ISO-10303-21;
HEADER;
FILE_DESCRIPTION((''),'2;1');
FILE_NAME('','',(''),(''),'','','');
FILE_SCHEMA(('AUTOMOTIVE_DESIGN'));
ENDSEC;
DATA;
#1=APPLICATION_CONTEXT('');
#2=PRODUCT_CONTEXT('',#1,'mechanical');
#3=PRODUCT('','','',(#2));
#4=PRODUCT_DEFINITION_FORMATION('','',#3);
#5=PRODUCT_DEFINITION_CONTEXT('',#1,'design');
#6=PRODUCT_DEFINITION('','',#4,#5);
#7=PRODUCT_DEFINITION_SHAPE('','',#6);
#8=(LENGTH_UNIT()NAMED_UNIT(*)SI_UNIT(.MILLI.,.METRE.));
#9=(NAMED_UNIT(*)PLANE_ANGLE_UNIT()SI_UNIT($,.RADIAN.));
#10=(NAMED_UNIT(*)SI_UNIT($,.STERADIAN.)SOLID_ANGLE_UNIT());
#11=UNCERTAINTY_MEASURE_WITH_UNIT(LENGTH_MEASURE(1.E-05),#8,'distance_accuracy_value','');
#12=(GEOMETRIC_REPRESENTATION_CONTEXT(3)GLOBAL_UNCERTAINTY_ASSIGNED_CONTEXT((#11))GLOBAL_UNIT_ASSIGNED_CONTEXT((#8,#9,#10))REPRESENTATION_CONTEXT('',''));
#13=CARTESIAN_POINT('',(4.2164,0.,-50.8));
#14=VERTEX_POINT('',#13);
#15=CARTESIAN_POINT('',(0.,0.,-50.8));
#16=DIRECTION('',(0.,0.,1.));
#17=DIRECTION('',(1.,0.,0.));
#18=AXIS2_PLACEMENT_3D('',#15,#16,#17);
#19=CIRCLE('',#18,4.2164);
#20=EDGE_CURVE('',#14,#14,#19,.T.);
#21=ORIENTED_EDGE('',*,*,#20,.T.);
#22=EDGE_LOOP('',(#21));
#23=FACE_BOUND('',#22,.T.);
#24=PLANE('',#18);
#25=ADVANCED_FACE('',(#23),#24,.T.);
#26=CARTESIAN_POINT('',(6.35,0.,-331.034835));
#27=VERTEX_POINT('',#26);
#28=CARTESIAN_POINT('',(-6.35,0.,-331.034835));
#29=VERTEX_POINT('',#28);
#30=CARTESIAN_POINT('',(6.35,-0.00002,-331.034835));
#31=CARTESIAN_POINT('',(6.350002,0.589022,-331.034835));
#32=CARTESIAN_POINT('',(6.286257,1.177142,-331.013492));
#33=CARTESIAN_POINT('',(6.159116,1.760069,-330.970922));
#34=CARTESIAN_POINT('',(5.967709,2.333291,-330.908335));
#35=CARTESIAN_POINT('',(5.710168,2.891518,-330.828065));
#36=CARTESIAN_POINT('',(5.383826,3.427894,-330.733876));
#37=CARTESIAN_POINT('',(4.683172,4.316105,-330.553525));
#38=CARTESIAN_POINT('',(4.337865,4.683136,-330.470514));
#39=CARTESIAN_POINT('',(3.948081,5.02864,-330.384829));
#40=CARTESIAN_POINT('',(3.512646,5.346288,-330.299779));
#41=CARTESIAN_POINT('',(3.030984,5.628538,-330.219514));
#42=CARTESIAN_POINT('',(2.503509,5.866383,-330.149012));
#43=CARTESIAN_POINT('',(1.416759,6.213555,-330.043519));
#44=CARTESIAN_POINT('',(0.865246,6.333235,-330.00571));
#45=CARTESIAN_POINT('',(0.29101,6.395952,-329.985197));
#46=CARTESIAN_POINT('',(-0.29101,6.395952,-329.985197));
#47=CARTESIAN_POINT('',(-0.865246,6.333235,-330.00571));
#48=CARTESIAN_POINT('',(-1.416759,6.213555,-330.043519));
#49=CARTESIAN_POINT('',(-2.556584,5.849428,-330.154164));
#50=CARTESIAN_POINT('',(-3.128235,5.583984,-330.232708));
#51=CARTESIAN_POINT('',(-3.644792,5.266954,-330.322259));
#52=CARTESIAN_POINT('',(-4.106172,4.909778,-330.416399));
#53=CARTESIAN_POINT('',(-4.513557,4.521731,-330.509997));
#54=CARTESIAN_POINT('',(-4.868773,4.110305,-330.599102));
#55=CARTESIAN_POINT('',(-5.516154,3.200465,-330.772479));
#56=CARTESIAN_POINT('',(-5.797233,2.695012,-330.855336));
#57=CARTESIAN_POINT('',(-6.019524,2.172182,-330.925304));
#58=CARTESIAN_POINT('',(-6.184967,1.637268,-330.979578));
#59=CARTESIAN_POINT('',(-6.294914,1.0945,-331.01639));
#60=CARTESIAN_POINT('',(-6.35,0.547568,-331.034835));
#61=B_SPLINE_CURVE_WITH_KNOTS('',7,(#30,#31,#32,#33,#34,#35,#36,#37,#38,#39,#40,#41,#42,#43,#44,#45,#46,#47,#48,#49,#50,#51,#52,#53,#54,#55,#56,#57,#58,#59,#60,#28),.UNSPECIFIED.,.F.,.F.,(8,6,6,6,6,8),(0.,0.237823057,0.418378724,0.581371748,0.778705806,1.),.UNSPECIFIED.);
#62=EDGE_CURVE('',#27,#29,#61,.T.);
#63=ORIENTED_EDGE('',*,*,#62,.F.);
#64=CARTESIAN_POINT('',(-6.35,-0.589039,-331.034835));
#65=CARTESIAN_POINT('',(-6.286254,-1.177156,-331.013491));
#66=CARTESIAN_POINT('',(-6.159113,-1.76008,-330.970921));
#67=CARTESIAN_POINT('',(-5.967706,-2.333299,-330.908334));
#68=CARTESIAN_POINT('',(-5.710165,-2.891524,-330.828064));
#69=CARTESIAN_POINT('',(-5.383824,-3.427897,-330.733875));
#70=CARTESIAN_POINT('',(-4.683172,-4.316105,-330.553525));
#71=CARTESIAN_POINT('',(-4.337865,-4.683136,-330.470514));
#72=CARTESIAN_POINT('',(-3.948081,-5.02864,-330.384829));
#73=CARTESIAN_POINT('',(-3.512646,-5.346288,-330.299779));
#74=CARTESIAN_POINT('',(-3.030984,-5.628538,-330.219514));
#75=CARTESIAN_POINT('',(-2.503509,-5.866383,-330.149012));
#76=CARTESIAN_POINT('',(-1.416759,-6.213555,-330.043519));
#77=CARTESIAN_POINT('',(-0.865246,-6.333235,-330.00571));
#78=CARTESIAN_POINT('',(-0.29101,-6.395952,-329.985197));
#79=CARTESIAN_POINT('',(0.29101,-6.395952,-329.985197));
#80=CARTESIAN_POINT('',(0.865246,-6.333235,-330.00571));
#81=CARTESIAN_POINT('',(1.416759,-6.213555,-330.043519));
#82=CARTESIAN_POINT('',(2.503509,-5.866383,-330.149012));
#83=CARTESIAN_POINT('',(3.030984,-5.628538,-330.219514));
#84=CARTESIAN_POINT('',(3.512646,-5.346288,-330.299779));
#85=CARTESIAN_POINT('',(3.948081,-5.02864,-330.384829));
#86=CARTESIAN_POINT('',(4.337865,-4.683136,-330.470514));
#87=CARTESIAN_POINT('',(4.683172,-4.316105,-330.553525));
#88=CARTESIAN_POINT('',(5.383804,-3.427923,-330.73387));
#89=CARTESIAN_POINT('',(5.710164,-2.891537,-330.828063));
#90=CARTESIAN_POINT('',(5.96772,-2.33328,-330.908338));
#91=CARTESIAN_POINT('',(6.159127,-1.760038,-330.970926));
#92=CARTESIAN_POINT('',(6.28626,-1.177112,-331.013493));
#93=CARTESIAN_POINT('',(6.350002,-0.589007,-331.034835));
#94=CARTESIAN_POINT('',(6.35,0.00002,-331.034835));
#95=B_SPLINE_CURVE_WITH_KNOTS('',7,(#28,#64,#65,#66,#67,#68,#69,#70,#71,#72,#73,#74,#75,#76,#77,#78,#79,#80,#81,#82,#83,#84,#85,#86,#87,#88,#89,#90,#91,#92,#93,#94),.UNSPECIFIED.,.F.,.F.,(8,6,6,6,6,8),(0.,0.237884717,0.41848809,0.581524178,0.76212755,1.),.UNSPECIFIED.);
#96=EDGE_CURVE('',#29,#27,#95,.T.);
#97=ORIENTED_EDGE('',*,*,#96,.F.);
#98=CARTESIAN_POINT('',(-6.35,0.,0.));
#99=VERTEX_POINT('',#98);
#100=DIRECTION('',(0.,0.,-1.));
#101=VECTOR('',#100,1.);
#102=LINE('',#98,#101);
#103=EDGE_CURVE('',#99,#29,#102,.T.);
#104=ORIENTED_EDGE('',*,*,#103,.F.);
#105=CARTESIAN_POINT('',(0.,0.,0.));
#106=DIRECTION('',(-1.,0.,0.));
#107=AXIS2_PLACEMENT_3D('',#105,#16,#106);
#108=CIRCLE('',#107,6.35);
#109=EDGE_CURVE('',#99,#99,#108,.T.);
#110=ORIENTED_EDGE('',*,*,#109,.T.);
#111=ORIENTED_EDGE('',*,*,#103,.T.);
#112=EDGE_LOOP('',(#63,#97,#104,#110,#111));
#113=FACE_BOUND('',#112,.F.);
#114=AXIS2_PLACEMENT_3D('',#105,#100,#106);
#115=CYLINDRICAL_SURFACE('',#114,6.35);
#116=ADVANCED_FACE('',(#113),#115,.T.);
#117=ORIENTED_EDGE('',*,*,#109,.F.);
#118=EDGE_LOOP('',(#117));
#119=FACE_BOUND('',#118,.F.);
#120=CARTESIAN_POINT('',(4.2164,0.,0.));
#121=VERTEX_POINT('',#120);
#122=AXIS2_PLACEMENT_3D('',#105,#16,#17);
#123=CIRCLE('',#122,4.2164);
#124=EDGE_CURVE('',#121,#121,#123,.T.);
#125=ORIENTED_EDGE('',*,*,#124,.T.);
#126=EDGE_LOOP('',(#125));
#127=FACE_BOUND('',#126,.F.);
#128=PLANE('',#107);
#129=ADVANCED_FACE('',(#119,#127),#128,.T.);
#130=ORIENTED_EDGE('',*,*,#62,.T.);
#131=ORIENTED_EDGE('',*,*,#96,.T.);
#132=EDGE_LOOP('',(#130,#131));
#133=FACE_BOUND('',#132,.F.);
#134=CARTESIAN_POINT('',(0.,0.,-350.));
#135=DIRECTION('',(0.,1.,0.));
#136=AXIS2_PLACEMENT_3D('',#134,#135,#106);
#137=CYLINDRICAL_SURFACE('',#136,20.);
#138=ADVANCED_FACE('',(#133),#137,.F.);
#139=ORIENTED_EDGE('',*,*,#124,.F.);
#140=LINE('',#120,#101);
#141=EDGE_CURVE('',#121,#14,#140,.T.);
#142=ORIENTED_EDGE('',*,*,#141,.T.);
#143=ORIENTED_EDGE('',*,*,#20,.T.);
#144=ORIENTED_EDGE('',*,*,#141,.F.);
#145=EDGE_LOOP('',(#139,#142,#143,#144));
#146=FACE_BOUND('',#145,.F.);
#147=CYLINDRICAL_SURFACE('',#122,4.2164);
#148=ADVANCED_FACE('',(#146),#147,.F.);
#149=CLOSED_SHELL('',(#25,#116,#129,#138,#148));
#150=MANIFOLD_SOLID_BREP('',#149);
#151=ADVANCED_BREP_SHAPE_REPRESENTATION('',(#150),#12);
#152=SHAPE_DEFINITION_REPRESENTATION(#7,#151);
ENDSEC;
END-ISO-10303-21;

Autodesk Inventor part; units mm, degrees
ref_plane "YZ Plane" through (0, 0, 0) normal (1, 0, 0) x (0, 1, 0)
ref_plane "XZ Plane" through (0, 0, 0) normal (0, 1, 0) x (-1, 0, 0)
ref_plane "XY Plane" through (0, 0, 0) normal (0, 0, 1) x (1, 0, 0)
sketch "Sketch1" plane through (0, 0, 0) normal (0, 1, 0) x (-1, 0, 0)
  line L0 (0, -456) -> (0, 76) construction
  line L1 (-1.27, 0) -> (7.62, 0) construction
  line L2 (0, 0) -> (6.35, 0)
  line L3 (6.35, 0) -> (6.35, -350)
  line L4 (6.35, -350) -> (0, -350)
  line L5 (0, -350) -> (0, 0)
  dimension "d0" = 350
  dimension "d1" = 6.35
revolve "Revolution1" add sketch "Sketch1" angle 360 about axis through (0, 0, -350) along (0, 0, 1)
sketch "Sketch2" plane through (0, 0, 0) normal (0, 1, 0) x (-1, 0, 0)
  line L0 (6.35, -350) -> (-6.35, -350) projected
  circle A0 centre (0, -350) radius 20
  point P0 (0, 0)
  dimension "d3" = 40
extrude "Extrusion1" cut sketch "Sketch2" along normal through all both and the other way through all
sketch "Sketch3" plane through (0, 0, 0) normal (0, 0, 1) x (1, 0, 0)
  circle A0 centre (0, 0) radius 4.2164
  point P0 (0, 0)
  dimension "d6" = 8.4328
extrude "Extrusion2" cut sketch "Sketch3" against normal blind 50.8
thread "Thread1" size "3/8-24 UNF" class "2B" standard "ANSI Unified Screw Threads" full length
properties part number "Suspenion_Arm_Assembly_V2_Member"
